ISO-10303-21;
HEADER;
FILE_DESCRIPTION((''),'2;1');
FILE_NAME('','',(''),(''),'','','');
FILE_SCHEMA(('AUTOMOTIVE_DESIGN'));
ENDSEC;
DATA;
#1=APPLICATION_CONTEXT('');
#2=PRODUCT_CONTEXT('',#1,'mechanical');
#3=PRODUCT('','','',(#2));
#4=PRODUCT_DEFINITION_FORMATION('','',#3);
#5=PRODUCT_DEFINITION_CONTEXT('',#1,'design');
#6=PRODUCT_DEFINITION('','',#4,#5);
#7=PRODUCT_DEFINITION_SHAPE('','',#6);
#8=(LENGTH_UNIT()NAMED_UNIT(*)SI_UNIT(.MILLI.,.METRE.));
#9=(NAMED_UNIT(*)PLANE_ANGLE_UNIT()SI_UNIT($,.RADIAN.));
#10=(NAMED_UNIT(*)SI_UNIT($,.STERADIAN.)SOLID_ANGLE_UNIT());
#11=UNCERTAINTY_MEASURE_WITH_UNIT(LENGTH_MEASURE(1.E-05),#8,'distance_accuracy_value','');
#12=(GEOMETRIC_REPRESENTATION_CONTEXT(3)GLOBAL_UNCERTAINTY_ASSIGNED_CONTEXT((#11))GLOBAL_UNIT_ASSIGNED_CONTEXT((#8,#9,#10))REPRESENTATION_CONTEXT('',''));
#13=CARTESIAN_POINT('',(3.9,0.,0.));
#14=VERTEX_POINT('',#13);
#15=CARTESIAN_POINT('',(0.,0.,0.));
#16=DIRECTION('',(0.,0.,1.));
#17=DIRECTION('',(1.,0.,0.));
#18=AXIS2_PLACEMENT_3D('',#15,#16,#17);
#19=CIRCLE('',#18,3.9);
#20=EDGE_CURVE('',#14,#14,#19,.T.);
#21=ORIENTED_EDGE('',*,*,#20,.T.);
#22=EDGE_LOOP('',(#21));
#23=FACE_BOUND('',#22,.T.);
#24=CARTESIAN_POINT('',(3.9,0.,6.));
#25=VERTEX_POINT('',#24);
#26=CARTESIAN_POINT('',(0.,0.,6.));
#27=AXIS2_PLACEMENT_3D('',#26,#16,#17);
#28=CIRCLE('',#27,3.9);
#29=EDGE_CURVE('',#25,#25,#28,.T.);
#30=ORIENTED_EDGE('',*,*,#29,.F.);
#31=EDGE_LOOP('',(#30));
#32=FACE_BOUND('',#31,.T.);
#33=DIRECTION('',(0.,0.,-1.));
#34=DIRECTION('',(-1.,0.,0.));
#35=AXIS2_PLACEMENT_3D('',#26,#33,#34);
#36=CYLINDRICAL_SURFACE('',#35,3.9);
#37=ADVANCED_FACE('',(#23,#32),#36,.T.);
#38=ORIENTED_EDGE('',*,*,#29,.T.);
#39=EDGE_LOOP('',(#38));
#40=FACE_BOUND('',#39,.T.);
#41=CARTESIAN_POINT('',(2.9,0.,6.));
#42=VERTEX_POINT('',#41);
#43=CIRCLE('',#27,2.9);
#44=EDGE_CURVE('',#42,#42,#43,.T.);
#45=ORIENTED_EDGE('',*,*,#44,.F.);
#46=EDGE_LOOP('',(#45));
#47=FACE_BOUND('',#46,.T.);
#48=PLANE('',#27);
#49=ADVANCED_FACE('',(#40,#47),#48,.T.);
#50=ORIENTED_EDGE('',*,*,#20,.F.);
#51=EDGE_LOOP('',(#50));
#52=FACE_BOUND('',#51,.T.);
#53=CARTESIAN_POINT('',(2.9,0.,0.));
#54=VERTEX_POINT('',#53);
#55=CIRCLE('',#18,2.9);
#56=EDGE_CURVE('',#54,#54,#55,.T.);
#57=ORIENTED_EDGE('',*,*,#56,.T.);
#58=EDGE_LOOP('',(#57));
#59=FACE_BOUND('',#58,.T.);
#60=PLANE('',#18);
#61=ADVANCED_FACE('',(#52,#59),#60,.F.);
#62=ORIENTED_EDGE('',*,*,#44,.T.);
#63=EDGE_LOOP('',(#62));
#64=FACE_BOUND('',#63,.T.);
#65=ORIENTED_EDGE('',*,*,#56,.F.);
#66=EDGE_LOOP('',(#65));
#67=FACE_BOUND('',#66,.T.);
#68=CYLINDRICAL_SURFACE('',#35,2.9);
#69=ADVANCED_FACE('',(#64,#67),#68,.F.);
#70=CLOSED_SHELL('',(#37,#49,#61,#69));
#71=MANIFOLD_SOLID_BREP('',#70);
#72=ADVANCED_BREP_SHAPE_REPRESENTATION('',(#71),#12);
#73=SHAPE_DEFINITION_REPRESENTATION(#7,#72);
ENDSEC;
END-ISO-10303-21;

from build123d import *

# Parameters (mm, degrees)
SKETCH1_R           = 3.9
SKETCH1_R_2         = 2.9
BOSS_EXTRUDE1_DEPTH = 6


with BuildPart() as part:
    # Sketch1 → Boss-Extrude1 (new body)
    with BuildSketch(Plane.XY):
        Circle(SKETCH1_R)
        Circle(SKETCH1_R_2, mode=Mode.SUBTRACT)
    extrude(amount=BOSS_EXTRUDE1_DEPTH)


solid = part.part
